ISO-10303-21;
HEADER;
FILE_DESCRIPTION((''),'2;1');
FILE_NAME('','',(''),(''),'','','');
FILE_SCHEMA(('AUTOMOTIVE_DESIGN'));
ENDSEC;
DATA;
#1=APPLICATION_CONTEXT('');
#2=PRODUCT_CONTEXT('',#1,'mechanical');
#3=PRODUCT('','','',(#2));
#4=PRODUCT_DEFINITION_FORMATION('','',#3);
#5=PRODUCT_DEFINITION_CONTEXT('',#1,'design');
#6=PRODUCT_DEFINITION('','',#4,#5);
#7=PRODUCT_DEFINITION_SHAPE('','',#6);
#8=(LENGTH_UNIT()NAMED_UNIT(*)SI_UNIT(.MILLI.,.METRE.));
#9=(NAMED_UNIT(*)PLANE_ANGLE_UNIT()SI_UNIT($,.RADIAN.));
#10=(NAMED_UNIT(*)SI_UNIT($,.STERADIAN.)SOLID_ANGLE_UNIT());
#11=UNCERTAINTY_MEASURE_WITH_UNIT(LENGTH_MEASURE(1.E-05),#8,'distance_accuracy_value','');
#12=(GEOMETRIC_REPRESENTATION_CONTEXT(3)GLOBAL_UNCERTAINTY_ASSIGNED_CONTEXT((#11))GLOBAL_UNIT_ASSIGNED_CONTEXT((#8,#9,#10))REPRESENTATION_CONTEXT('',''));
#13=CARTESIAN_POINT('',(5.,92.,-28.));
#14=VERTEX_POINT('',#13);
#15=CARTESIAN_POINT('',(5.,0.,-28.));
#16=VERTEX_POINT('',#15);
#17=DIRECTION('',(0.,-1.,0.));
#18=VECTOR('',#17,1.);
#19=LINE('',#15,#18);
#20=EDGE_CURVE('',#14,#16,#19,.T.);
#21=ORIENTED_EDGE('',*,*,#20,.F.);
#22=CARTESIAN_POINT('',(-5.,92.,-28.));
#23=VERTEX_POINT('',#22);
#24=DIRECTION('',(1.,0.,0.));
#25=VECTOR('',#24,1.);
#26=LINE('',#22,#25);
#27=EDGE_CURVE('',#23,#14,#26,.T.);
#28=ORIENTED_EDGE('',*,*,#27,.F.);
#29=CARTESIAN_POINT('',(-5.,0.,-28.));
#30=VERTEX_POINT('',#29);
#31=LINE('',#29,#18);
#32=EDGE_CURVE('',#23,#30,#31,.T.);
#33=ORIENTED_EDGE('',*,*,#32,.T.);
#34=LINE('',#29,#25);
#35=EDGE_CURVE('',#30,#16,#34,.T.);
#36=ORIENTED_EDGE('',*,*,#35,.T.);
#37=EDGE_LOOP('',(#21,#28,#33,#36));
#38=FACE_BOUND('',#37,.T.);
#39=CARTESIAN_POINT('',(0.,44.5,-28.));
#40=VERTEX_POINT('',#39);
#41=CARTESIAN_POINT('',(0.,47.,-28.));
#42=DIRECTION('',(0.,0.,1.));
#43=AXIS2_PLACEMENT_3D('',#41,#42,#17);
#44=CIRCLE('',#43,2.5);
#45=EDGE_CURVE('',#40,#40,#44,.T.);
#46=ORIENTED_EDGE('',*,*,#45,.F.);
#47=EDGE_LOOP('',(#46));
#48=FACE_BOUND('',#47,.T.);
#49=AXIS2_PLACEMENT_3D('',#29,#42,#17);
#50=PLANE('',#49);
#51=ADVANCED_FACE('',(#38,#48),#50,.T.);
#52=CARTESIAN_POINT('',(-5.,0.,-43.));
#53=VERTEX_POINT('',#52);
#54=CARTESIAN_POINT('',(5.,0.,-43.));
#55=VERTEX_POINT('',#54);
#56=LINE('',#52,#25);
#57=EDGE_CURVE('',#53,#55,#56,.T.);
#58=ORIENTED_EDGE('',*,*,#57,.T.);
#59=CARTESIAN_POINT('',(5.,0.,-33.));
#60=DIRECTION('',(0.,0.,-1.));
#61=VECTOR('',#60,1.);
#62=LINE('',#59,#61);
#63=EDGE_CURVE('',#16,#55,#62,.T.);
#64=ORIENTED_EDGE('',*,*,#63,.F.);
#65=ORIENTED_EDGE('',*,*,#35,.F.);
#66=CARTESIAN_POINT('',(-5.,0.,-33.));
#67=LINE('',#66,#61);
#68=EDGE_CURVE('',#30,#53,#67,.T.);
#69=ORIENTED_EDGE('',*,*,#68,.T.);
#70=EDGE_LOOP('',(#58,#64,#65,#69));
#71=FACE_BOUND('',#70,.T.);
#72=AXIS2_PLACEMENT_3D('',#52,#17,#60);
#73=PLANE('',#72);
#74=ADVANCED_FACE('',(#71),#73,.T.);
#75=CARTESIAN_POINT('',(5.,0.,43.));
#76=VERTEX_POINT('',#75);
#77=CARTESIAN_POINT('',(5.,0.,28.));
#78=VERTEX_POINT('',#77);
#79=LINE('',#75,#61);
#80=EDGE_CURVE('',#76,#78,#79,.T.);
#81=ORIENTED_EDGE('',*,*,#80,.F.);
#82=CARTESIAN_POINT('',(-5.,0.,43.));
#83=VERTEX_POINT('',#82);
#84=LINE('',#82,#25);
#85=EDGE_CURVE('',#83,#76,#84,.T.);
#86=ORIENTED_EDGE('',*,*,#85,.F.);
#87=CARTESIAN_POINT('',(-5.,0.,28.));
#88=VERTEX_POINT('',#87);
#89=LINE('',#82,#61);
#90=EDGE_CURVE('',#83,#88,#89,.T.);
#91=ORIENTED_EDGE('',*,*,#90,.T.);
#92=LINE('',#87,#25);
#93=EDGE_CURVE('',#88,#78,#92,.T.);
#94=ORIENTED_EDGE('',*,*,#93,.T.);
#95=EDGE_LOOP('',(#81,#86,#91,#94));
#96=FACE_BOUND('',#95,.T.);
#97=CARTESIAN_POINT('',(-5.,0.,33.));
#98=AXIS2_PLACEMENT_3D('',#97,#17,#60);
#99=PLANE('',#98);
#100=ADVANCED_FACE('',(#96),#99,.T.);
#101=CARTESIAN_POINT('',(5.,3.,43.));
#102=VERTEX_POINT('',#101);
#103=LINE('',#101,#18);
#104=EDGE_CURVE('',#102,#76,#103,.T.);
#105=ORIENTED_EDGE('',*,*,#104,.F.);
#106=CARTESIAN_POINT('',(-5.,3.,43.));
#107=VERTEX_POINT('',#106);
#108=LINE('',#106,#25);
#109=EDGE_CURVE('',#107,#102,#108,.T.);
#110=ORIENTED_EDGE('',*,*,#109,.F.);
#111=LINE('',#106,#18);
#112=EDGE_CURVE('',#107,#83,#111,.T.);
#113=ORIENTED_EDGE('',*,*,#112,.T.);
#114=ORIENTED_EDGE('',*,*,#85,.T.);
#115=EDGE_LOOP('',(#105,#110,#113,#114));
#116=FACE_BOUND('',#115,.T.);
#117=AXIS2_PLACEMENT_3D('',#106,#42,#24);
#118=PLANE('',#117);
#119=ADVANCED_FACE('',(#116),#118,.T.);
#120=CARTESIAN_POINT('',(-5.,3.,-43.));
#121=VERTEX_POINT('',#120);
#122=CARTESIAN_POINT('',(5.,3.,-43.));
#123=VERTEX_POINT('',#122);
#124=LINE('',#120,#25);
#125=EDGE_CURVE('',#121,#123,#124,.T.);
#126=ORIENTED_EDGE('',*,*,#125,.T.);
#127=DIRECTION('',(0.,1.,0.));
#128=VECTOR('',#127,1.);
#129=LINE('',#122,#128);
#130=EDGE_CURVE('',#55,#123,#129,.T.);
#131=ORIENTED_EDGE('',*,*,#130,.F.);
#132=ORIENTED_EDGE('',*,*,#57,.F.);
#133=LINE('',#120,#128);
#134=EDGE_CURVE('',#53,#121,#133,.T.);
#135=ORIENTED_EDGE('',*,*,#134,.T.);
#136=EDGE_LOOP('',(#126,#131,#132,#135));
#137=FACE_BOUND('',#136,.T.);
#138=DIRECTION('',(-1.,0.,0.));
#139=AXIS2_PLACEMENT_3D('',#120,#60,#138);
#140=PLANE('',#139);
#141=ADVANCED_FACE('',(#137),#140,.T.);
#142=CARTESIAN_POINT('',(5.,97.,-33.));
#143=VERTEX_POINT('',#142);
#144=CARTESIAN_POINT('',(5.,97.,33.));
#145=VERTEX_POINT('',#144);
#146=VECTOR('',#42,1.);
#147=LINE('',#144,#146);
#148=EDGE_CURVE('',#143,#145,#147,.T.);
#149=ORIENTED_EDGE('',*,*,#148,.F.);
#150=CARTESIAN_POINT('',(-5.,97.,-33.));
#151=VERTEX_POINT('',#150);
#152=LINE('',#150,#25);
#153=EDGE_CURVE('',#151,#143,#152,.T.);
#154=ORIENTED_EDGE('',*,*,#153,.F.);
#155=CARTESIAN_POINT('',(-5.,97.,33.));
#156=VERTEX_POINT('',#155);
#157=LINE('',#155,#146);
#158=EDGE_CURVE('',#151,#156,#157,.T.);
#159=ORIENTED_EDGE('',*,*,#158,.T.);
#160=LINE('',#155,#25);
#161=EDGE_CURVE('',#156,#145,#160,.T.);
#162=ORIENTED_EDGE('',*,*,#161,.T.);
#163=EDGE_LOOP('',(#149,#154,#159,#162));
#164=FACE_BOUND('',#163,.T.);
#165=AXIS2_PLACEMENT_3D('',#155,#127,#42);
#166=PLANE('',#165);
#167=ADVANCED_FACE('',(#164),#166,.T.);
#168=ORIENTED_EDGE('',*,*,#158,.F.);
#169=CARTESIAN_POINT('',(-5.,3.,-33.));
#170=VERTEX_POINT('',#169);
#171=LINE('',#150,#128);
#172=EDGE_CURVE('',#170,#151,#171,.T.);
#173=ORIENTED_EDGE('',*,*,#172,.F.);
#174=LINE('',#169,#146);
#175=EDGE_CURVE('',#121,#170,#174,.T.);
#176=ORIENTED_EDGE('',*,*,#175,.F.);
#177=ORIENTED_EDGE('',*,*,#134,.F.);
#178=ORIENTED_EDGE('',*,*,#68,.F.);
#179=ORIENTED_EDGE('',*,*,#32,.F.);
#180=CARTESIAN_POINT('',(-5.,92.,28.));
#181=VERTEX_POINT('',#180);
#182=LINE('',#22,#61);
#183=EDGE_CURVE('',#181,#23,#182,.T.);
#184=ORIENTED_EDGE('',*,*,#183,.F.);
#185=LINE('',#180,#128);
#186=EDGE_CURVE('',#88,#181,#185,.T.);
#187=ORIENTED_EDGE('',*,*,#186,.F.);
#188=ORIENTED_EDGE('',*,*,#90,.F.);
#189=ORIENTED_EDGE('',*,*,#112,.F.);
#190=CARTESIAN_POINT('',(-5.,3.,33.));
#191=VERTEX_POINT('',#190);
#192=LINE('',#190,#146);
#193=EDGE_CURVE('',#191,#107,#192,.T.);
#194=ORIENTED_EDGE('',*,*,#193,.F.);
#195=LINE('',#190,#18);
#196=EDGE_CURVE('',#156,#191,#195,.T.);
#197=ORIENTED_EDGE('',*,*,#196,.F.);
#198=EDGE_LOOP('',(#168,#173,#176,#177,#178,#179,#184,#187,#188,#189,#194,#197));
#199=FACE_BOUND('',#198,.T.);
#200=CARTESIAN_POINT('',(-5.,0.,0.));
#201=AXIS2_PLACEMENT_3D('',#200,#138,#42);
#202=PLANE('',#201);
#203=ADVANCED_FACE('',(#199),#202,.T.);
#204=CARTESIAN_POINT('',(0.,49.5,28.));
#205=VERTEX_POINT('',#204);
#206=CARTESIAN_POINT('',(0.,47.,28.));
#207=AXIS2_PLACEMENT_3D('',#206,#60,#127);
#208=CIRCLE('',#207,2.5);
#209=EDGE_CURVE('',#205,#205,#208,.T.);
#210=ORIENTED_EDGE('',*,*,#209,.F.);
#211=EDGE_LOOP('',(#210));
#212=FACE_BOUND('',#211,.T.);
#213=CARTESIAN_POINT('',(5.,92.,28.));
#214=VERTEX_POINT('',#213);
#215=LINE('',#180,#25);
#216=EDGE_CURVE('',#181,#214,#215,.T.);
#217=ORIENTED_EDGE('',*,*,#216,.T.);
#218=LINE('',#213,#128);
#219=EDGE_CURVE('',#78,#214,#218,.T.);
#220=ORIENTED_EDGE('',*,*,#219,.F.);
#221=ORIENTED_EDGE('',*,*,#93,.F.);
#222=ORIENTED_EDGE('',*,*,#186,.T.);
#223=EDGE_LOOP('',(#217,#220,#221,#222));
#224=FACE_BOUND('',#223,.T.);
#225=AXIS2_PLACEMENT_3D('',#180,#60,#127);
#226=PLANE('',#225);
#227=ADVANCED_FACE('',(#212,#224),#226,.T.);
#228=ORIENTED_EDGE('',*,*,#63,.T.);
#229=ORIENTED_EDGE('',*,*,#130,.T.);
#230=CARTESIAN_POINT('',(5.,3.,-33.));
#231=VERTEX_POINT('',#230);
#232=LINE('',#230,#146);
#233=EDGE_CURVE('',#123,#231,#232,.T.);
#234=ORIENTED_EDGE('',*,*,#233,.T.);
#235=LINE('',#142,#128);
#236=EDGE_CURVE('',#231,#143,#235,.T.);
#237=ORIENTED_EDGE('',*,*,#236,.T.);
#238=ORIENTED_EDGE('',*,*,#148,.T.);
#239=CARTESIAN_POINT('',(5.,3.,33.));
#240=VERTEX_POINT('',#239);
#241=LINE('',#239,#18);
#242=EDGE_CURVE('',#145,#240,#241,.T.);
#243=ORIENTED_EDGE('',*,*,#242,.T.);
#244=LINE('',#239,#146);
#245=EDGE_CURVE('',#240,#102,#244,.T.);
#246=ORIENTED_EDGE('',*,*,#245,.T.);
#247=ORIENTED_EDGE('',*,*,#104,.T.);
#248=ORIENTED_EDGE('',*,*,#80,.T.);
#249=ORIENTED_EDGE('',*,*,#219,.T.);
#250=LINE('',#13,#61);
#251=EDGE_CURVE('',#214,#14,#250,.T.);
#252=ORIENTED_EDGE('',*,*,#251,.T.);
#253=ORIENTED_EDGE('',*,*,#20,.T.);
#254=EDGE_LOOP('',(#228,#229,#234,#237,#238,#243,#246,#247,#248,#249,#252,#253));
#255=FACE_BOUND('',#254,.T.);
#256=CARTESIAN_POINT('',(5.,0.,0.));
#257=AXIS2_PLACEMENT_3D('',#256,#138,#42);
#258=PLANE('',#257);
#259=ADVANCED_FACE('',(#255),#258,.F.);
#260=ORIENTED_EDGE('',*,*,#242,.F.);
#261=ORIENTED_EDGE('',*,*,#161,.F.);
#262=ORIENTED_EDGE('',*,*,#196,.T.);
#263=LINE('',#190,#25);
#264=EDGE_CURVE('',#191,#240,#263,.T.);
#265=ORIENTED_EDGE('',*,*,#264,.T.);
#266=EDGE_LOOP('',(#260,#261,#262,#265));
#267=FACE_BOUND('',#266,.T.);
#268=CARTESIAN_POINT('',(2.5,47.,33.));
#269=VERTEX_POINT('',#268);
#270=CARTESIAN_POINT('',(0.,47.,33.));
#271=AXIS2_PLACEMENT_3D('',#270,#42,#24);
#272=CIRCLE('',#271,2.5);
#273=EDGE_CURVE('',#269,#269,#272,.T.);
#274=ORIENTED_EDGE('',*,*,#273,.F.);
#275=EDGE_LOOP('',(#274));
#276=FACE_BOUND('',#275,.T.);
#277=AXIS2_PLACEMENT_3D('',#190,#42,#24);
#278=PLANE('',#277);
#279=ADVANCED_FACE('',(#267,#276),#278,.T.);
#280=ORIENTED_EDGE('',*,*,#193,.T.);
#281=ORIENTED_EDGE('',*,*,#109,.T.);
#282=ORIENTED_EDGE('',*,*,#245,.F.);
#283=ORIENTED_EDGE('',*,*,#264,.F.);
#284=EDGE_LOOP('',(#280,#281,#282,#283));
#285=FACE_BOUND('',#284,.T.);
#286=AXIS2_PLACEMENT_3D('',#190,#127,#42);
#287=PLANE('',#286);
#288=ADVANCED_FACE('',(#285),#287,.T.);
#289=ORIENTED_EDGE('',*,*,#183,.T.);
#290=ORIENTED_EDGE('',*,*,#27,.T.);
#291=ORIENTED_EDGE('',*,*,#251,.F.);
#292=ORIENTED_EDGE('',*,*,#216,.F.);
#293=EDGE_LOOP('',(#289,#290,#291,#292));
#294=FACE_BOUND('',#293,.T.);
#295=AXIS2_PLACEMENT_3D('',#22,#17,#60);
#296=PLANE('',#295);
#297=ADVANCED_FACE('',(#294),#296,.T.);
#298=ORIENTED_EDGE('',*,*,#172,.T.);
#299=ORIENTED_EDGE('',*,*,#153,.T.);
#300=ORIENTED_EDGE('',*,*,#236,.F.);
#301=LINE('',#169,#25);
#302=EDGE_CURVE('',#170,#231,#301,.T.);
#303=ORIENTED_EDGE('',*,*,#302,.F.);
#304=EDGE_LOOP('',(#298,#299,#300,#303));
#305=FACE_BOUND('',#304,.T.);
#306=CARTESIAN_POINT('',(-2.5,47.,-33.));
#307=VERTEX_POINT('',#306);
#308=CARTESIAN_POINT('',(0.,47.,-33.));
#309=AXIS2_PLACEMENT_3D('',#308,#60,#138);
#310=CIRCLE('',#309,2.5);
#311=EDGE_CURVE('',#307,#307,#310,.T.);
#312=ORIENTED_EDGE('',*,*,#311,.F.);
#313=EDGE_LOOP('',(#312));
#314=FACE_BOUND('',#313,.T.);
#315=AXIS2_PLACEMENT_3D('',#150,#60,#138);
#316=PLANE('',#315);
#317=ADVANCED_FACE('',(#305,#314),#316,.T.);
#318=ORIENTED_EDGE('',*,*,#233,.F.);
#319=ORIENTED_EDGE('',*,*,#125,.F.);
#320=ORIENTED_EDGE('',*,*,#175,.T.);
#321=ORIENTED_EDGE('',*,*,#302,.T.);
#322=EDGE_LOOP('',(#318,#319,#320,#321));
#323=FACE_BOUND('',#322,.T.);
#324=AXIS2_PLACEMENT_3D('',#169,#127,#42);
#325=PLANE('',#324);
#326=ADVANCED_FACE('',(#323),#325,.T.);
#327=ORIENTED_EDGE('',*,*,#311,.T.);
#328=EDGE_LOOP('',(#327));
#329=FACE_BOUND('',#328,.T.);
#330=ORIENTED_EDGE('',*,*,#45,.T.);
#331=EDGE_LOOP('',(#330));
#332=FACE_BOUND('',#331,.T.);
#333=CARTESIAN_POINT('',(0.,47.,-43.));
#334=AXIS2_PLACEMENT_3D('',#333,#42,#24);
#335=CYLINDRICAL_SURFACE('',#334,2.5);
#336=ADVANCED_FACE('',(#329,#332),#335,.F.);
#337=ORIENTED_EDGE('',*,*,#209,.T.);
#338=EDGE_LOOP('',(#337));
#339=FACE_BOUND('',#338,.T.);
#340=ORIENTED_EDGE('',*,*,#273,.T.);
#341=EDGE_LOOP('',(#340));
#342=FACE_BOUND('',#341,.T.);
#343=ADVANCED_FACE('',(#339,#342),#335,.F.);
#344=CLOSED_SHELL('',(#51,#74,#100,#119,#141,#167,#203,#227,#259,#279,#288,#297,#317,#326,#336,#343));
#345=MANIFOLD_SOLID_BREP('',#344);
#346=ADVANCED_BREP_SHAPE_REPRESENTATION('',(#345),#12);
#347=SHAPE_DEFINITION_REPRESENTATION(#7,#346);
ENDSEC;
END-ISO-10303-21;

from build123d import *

# Parameters (mm, degrees)
BOSS_EXTRUDE1_DEPTH      = 5
BOSS_EXTRUDE1_DEPTH_BACK = 5
SKETCH2_R                = 2.5
CUT_EXTRUDE1_DEPTH       = 124.328828747


with BuildPart() as part:
    # Sketch1 → Boss-Extrude1 (new, two sides: drawn at the far end of the back side and taken through both)
    with BuildSketch(Plane(origin=(0, 0, 0), x_dir=(0, 0, -1), z_dir=(1, 0, 0)).offset(-BOSS_EXTRUDE1_DEPTH_BACK)):
        Polygon((-33, 3), (-33, 97), (33, 97), (33, 3), (43, 3), (43, 0), (33, 0), (28, 0), (28, 92), (-28, 92), (-28, 0), (-33, 0), (-43, 0), (-43, 3), align=None)
    extrude(amount=BOSS_EXTRUDE1_DEPTH + BOSS_EXTRUDE1_DEPTH_BACK)

    # Sketch2 → Cut-Extrude1 (cut, through all)
    with BuildSketch(Plane.XY.offset(33)):
        with Locations((0, 47)):
            Circle(SKETCH2_R)
    extrude(amount=-CUT_EXTRUDE1_DEPTH, mode=Mode.SUBTRACT)


solid = part.part
